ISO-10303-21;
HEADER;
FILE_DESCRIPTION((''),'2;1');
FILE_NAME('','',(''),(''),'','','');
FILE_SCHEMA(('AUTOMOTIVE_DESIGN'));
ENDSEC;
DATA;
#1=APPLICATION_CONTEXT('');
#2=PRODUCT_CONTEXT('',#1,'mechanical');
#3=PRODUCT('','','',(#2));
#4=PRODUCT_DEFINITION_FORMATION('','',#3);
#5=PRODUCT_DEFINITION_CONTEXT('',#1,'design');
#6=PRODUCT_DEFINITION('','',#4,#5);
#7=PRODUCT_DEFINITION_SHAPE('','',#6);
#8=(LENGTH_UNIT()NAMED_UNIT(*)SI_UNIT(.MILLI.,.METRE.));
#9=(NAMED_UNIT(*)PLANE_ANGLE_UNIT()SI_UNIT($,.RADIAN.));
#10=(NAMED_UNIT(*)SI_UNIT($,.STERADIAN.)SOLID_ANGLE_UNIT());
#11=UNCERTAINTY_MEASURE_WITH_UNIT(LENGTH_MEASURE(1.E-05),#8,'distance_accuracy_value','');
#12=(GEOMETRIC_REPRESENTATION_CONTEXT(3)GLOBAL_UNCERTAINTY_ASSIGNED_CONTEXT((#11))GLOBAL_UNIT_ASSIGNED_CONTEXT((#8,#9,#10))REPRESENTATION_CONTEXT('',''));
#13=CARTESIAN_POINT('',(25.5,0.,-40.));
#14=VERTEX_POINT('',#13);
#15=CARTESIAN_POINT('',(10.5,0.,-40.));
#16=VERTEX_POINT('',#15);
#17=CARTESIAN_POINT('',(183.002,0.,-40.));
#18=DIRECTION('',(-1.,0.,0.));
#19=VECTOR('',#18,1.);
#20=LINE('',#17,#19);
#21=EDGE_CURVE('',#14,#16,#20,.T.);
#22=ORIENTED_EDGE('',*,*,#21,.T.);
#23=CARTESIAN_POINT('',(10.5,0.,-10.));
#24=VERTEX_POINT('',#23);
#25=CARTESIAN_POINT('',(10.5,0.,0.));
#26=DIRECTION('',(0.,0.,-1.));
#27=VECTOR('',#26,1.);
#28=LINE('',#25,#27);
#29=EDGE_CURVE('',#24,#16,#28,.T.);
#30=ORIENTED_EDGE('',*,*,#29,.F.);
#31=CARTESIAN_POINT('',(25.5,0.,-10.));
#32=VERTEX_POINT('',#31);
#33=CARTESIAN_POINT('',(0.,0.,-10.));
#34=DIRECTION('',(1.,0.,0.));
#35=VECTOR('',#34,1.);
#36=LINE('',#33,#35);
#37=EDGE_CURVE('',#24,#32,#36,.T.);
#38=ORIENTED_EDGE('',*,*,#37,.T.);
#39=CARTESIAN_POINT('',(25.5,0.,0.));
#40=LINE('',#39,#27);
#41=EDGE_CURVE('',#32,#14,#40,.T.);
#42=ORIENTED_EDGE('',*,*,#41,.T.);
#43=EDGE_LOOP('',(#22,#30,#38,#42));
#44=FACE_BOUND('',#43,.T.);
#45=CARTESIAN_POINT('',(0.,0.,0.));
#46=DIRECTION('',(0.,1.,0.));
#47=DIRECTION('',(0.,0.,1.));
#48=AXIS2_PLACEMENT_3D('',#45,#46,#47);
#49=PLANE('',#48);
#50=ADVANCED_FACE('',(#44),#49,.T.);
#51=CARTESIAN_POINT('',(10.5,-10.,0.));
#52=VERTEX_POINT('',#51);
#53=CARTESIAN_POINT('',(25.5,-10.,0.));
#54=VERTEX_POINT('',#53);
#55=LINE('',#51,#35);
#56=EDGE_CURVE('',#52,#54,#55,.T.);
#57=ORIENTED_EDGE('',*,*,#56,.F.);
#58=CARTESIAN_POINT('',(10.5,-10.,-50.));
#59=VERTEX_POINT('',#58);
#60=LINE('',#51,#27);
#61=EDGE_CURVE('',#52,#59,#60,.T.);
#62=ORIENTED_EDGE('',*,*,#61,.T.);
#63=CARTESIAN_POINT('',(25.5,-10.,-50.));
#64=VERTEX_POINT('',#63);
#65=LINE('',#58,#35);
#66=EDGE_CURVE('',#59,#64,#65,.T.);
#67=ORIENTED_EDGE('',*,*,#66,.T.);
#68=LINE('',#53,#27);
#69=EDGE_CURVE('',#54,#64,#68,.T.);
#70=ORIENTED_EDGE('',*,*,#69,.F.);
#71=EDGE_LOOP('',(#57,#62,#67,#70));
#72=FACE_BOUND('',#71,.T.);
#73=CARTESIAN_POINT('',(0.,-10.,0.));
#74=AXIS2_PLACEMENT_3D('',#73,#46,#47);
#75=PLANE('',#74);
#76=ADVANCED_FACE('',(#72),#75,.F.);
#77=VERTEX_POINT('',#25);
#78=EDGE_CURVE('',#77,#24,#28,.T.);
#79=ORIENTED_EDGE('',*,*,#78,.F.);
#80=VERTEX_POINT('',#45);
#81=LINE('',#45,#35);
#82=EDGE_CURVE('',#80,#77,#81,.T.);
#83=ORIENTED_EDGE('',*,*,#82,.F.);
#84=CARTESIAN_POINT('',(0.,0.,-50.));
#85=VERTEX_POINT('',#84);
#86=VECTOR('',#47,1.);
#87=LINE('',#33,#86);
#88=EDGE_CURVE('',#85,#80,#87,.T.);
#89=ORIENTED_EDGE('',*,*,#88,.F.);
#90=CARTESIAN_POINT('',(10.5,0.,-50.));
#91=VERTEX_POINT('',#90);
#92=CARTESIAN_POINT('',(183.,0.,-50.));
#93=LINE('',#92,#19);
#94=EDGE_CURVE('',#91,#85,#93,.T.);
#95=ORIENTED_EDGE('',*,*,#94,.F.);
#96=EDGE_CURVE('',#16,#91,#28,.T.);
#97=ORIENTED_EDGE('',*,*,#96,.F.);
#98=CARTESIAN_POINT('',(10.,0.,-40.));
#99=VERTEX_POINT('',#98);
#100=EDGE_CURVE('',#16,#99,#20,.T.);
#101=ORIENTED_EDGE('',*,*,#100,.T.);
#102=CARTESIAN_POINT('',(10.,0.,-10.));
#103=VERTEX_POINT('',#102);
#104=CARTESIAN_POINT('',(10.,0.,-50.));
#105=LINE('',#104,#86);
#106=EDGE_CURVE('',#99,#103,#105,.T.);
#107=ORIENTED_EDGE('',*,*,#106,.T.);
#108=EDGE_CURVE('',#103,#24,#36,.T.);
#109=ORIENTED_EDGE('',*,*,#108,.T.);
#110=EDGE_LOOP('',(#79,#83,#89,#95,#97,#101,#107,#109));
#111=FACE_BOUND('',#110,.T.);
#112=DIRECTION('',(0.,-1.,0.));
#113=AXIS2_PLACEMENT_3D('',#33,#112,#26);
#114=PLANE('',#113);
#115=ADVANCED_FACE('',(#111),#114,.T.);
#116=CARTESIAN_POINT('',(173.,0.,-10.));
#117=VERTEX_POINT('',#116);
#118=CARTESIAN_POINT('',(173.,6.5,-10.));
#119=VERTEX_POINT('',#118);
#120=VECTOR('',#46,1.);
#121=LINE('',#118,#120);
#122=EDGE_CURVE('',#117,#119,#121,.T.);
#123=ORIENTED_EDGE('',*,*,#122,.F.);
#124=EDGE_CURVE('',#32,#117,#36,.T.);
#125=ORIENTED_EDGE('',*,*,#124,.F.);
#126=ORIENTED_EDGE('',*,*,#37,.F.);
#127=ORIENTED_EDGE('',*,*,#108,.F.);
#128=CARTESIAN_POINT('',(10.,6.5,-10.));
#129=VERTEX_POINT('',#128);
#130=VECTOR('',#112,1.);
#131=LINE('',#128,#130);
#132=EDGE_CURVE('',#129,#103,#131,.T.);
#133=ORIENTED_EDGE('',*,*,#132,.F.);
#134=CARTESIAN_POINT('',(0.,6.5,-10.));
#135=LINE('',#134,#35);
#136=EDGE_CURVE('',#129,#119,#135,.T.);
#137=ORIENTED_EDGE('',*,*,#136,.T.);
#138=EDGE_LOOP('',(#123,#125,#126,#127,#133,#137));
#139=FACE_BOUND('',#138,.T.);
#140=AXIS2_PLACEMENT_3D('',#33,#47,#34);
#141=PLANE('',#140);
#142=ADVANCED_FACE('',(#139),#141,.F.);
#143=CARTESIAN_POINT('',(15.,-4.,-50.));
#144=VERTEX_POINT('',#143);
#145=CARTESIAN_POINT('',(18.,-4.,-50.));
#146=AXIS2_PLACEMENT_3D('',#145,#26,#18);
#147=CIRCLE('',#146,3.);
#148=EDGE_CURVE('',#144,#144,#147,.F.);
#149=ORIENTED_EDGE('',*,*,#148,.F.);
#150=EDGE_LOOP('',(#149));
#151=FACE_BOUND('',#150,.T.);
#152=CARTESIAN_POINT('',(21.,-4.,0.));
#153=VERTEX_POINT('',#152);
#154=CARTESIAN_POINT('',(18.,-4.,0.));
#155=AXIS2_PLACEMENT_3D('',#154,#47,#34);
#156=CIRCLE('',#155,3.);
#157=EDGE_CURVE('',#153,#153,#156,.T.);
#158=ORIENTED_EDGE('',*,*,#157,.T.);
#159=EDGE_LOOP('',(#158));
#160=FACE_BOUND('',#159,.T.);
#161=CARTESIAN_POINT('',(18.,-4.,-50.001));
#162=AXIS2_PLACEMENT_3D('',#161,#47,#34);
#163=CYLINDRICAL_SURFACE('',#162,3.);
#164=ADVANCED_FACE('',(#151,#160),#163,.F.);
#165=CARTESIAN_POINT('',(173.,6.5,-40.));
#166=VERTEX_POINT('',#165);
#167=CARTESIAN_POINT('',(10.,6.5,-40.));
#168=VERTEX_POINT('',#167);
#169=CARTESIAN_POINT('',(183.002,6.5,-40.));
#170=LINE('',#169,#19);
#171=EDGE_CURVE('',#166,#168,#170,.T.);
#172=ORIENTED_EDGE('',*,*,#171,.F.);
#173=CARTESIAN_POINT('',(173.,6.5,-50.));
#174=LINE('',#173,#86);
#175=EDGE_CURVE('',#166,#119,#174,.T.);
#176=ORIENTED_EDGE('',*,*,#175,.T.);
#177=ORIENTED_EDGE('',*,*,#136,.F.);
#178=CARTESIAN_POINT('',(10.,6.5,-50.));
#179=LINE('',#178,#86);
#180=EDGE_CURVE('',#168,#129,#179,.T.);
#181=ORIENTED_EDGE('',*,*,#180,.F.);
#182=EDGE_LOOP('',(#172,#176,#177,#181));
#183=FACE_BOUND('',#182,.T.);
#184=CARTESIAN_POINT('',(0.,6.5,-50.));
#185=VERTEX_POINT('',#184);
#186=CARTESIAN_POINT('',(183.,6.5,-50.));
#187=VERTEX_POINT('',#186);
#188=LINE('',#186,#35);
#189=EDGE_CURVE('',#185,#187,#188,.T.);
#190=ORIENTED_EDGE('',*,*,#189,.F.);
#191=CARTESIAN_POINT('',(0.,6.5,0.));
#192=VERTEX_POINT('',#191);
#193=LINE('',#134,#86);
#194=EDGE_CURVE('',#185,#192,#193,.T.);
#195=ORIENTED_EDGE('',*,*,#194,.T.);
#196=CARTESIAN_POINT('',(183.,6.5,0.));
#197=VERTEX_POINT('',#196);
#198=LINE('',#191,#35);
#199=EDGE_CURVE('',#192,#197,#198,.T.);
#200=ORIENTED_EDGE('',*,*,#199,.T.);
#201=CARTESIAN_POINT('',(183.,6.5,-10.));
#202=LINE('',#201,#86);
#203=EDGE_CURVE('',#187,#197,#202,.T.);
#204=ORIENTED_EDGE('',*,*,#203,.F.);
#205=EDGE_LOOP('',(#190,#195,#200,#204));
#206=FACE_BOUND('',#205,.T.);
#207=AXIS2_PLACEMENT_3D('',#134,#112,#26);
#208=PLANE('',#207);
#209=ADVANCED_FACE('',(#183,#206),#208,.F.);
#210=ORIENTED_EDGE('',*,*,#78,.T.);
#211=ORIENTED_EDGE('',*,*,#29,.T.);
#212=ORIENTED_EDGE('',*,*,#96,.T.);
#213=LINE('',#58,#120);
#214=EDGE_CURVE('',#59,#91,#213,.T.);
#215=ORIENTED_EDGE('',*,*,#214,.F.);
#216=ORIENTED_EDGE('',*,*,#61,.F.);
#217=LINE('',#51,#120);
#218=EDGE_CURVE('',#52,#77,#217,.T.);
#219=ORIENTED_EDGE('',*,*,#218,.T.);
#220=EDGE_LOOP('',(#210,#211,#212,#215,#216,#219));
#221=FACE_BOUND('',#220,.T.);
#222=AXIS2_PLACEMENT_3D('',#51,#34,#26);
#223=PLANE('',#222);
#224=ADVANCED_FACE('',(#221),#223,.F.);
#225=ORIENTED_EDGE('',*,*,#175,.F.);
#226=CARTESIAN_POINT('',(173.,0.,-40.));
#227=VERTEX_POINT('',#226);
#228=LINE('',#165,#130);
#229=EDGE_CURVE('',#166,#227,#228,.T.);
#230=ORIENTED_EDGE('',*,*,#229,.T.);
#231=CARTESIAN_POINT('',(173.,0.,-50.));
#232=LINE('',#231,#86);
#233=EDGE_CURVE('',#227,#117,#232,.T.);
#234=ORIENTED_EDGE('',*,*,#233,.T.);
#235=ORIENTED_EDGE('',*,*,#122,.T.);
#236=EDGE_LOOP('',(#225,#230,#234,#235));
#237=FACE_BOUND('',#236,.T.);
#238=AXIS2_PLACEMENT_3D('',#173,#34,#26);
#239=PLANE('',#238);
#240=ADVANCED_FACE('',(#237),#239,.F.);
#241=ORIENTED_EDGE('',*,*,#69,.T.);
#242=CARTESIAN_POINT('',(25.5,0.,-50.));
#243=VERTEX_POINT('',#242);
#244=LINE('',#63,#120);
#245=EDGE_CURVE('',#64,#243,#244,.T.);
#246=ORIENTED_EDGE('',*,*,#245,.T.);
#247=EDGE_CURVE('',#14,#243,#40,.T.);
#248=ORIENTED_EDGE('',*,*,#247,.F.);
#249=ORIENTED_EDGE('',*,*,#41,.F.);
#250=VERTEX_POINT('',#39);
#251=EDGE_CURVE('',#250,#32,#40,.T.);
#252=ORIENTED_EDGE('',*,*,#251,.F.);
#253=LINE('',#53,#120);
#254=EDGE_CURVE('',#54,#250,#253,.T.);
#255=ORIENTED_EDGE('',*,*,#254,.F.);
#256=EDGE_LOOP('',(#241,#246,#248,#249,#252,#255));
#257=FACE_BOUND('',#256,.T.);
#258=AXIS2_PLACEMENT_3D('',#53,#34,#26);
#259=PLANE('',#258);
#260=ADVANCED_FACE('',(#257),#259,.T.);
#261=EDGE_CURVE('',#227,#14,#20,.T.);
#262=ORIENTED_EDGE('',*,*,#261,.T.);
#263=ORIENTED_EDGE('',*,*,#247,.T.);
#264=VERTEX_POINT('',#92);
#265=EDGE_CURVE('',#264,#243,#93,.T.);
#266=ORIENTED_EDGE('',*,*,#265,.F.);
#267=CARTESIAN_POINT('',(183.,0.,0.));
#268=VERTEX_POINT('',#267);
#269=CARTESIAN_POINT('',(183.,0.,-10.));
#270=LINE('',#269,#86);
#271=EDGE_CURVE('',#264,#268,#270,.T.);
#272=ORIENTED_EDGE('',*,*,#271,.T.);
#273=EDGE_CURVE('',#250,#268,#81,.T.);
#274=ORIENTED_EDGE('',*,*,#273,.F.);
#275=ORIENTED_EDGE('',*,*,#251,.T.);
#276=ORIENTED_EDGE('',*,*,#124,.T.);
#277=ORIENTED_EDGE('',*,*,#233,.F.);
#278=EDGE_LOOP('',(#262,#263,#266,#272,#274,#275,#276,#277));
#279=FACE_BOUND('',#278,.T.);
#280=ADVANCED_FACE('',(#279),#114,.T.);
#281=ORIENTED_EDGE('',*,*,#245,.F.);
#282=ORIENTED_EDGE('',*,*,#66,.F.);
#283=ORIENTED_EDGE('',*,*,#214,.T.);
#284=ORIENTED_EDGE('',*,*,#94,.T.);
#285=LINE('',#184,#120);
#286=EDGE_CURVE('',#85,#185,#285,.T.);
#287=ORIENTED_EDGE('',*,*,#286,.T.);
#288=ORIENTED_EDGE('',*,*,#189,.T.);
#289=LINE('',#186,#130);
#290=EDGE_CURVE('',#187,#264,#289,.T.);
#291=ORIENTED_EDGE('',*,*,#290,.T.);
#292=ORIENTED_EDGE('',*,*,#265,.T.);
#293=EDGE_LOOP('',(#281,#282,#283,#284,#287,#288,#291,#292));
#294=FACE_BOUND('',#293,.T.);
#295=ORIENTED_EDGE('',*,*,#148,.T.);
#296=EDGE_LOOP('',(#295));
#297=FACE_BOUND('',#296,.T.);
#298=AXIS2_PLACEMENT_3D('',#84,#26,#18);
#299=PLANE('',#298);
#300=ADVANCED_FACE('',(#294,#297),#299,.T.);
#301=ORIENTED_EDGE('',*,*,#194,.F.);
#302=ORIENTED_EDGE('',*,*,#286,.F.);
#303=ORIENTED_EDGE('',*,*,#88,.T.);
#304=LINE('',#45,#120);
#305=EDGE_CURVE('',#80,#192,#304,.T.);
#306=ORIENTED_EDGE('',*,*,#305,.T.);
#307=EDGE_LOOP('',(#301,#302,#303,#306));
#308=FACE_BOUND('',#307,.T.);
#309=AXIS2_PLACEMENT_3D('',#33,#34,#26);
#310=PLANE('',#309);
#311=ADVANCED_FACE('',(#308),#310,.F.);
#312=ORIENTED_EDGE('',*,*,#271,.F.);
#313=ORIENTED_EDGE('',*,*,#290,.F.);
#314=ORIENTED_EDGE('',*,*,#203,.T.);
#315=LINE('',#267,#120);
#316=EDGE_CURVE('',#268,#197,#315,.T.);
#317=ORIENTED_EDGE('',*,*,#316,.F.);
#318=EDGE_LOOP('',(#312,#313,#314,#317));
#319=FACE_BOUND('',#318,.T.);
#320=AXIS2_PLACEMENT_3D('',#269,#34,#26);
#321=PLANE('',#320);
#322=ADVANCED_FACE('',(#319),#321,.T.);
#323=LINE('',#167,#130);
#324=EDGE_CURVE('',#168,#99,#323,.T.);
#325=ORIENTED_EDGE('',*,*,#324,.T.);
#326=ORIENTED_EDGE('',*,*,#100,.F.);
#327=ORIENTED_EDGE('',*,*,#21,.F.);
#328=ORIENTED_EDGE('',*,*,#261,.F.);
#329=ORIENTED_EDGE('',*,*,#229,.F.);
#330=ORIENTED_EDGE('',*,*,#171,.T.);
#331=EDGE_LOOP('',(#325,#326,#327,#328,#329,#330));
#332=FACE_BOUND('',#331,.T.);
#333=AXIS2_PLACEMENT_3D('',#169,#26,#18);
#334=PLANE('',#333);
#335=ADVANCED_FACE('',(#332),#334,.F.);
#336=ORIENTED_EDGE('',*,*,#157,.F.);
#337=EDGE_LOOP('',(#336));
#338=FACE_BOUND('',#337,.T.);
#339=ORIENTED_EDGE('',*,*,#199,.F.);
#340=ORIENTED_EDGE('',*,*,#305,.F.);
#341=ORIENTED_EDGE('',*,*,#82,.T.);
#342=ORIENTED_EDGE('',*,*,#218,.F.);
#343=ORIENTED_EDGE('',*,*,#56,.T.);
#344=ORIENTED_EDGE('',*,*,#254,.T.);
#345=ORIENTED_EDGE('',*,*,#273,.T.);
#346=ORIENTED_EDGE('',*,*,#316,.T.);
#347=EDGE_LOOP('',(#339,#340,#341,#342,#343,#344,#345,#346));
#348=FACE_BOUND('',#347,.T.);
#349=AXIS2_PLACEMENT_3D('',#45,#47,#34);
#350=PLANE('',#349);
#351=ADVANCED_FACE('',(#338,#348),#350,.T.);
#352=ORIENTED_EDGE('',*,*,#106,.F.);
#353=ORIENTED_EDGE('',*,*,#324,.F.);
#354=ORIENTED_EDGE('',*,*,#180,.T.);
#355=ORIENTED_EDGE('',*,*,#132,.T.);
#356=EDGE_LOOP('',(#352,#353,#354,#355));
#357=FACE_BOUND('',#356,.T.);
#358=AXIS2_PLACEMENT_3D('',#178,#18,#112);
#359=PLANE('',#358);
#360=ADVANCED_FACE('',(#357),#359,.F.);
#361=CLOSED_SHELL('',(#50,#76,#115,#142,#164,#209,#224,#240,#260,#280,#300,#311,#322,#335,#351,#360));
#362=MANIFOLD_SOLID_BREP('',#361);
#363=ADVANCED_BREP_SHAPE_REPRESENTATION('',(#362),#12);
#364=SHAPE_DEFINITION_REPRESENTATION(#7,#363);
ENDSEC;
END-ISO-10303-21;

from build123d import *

# Parameters (mm, degrees)
SKETCH_1_W          = 183
SKETCH_1_H          = 6.5
EXTRUDE_1_DEPTH     = 10
SKETCH_2_W          = 10
SKETCH_2_H          = 6.5
EXTRUDE_2_DEPTH     = 40
EXTRUDE_3_REACH     = 182.198
SKETCH_3_W          = 10
SKETCH_3_H          = 6.5
SKETCH_7_W          = 15
SKETCH_7_H          = 50
EXTRUDE_5_DEPTH     = 10
CUT_EXTRUDE_2_REACH = 191.971
SKETCH_8_R          = 3


with BuildPart() as part:
    # 草图1 → 凸台-拉伸1 (new body)
    with BuildSketch(Plane.XY):
        with Locations((91.5, 3.25)):
            Rectangle(SKETCH_1_W, SKETCH_1_H)
    extrude(amount=-EXTRUDE_1_DEPTH)

    # 草图2 → 凸台-拉伸2 (add)
    with BuildSketch(Plane(origin=(0, 0, -10), x_dir=(-1, 0, 0), z_dir=(0, 0, -1))):
        with Locations((-178, 3.25)):
            Rectangle(SKETCH_2_W, SKETCH_2_H)
        with Locations((-5, 3.25)):
            Rectangle(SKETCH_2_W, SKETCH_2_H)
    extrude(amount=EXTRUDE_2_DEPTH)

    # 草图3 → 凸台-拉伸3 (add, up to next)
    with BuildSketch(Plane(origin=(10, 0, 0), x_dir=(0, 0, -1), z_dir=(1, 0, 0)), mode=Mode.PRIVATE) as extrude_3_sk1:
        with Locations((45, 3.25)):
            Rectangle(SKETCH_3_W, SKETCH_3_H)
    extrude_3_tool1 = extrude(extrude_3_sk1.sketch, amount=EXTRUDE_3_REACH, mode=Mode.PRIVATE) - part.part
    add(extrude_3_tool1.solids().sort_by_distance((10, 3.25, -45))[0])

    # 草图7 → 凸台-拉伸5 (add)
    with BuildSketch(Plane.XZ):
        with Locations((18, -25)):
            Rectangle(SKETCH_7_W, SKETCH_7_H)
    extrude(amount=EXTRUDE_5_DEPTH)

    # 草图8 → 切除-拉伸2 (cut, up to next)
    with BuildSketch(Plane.XY, mode=Mode.PRIVATE) as cut_extrude_2_sk1:
        with Locations((18, -4)):
            Circle(SKETCH_8_R)
    cut_extrude_2_tool1 = extrude(cut_extrude_2_sk1.sketch, amount=-CUT_EXTRUDE_2_REACH, mode=Mode.PRIVATE) & part.part
    add(cut_extrude_2_tool1.solids().sort_by_distance((18, -4, 0))[0], mode=Mode.SUBTRACT)


solid = part.part
